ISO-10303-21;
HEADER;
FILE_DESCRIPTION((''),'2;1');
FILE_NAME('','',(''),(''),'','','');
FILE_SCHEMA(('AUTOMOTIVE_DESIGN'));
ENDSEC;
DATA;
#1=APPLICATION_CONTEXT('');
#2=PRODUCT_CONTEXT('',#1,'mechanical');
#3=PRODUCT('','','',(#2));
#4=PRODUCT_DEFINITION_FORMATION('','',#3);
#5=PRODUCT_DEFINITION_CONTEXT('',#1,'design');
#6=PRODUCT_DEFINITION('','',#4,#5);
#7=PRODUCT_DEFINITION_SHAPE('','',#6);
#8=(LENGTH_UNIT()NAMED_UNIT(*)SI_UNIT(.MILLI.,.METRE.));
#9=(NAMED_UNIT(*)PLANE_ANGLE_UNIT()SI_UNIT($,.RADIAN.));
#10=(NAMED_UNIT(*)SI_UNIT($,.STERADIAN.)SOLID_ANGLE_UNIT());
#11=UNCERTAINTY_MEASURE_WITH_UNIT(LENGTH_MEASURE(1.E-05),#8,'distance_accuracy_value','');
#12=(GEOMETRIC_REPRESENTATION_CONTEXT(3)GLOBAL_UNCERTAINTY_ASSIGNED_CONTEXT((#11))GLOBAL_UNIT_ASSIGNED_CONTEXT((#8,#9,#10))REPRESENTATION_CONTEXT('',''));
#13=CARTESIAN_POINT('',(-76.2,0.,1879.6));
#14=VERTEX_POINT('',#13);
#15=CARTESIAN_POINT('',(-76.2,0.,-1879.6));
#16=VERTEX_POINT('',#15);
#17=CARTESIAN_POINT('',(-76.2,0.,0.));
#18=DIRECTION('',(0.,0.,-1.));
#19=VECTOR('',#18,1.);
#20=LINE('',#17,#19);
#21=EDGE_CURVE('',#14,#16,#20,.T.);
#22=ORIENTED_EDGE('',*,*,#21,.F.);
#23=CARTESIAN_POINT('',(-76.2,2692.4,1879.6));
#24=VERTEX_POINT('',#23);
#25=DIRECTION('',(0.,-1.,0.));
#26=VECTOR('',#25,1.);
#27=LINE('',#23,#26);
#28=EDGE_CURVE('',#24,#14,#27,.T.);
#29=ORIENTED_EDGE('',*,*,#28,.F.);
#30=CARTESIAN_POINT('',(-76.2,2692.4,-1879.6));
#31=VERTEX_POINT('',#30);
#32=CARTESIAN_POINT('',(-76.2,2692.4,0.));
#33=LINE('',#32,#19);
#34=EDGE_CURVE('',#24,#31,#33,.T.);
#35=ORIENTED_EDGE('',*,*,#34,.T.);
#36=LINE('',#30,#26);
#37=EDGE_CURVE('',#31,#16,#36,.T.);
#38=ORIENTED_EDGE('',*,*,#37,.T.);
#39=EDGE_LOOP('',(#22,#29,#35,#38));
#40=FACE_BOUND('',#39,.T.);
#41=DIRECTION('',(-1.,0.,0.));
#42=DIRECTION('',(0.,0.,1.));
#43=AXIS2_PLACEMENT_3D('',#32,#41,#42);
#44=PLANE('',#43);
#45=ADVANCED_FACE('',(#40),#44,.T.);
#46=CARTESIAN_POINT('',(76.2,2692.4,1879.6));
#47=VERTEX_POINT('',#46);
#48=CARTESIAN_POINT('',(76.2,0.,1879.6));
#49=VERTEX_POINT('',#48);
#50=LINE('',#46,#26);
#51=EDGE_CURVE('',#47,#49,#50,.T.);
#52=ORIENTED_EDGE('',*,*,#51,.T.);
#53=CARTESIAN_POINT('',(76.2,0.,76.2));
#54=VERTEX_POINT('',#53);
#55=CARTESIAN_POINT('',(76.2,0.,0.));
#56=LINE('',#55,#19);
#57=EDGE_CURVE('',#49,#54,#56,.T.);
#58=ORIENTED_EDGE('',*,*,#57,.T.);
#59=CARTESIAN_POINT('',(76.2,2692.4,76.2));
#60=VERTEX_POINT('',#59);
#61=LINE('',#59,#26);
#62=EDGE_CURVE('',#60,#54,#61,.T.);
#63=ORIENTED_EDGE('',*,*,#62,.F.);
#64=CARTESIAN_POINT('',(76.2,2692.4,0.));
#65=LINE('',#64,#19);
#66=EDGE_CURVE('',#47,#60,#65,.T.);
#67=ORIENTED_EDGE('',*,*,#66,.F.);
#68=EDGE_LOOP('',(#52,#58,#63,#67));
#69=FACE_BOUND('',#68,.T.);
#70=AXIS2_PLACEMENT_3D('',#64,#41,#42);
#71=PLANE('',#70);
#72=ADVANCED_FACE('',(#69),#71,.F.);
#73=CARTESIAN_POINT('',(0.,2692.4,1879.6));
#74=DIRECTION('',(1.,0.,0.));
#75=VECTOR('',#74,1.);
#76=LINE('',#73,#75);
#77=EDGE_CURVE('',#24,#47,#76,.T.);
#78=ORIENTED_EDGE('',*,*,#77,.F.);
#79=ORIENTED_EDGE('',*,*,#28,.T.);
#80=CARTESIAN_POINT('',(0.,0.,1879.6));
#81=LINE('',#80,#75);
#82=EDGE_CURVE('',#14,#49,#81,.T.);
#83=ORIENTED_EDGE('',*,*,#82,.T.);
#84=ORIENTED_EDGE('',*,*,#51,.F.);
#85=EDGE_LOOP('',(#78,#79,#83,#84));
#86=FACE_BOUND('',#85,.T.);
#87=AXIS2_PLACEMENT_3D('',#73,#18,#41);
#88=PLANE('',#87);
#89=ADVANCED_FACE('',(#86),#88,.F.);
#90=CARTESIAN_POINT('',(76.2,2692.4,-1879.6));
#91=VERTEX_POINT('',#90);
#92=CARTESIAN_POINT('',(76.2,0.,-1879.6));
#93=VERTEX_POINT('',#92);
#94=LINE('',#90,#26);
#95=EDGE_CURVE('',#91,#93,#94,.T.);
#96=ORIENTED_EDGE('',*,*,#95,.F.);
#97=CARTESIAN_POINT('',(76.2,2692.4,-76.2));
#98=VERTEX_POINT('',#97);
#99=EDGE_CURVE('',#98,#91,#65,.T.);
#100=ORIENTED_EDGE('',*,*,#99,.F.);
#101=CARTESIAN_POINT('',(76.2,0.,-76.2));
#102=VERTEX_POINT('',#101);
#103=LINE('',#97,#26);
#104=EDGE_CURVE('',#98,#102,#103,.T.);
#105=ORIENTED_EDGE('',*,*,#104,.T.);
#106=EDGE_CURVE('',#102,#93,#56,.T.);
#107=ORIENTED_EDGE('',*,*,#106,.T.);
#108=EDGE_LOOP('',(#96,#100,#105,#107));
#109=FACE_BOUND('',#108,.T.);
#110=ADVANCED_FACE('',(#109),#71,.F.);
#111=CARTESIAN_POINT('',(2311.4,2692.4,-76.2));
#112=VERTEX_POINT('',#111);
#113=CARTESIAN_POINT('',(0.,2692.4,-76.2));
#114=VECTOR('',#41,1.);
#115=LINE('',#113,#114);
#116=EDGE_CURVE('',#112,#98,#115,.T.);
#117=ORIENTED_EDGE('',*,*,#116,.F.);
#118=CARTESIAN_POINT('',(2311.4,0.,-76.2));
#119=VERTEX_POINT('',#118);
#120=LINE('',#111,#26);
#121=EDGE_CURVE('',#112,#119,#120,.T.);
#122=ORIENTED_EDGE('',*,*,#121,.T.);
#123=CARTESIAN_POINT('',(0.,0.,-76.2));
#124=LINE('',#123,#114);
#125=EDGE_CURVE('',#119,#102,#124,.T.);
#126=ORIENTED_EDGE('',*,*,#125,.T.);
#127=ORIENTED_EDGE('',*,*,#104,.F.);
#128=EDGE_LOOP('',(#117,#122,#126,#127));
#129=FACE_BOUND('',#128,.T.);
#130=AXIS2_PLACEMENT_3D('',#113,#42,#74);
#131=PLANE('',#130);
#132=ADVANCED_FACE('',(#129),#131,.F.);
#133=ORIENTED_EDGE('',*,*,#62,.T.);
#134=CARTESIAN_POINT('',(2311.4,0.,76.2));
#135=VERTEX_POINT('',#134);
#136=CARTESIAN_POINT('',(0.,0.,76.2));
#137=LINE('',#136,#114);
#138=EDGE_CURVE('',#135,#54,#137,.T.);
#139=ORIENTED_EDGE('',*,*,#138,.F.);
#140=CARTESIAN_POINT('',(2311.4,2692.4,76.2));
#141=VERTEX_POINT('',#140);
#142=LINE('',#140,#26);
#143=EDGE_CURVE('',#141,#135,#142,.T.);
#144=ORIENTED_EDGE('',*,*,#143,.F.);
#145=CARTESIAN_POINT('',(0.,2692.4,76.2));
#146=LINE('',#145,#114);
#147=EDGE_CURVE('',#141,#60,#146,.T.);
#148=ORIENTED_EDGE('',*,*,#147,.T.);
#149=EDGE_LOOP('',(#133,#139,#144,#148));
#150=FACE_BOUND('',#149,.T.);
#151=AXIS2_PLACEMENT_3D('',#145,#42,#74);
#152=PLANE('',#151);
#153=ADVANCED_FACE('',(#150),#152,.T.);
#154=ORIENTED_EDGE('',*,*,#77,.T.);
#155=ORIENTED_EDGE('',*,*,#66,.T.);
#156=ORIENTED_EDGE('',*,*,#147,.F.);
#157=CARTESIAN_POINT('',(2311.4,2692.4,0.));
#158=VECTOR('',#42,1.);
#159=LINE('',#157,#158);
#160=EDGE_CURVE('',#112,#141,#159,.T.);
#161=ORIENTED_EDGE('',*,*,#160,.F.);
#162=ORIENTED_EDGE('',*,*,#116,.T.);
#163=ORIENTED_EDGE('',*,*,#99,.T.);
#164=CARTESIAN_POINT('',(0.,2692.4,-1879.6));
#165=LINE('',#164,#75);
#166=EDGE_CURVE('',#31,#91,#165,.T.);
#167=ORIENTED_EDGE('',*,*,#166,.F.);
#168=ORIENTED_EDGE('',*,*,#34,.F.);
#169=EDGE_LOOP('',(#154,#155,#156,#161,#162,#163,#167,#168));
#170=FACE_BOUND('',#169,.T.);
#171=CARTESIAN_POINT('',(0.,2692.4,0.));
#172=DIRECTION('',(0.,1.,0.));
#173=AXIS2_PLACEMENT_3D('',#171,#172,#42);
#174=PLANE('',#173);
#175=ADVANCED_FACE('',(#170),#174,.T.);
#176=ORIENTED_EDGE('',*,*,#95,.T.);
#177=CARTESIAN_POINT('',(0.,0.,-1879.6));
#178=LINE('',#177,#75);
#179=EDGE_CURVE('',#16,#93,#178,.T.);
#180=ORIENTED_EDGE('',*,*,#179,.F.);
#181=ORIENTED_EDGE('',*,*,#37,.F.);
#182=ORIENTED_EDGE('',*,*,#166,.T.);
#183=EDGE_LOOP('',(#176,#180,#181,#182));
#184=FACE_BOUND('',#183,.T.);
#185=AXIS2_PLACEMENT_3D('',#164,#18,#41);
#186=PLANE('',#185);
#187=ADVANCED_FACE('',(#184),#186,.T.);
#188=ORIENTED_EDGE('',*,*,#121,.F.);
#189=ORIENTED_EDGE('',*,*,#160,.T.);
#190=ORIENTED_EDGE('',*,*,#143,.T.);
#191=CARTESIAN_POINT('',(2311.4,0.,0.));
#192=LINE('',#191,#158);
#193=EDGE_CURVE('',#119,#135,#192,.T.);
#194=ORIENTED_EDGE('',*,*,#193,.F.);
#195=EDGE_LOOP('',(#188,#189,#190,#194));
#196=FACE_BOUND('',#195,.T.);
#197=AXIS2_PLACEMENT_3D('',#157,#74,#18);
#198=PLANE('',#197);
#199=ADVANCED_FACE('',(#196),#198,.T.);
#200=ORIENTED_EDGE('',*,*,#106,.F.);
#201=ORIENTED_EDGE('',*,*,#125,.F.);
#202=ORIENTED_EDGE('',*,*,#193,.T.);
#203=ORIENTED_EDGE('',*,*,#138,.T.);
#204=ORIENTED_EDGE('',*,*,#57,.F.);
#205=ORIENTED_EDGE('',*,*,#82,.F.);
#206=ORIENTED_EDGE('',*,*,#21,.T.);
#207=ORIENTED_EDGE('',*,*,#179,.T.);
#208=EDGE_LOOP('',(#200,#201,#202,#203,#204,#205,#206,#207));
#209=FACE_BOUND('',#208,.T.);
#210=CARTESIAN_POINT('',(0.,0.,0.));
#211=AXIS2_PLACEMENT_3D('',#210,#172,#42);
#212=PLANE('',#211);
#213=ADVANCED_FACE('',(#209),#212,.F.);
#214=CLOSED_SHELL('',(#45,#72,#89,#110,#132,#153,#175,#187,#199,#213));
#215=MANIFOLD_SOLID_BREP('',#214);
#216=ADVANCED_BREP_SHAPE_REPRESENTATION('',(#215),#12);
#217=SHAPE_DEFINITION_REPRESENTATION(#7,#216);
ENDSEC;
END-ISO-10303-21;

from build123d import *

# Parameters (mm, degrees)
SKETCH1_W           = 152.4
SKETCH1_H           = 3759.2
SKETCH1_W_2         = 2235.2
SKETCH1_H_2         = 152.4
BOSS_EXTRUDE1_DEPTH = 2692.4


with BuildPart() as part:
    # Sketch1 → Boss-Extrude1 (new body)
    with BuildSketch(Plane(origin=(0, 0, 0), x_dir=(1, 0, 0), z_dir=(0, 1, 0))):
        Rectangle(SKETCH1_W, SKETCH1_H)
        with Locations((1193.8, 0)):
            Rectangle(SKETCH1_W_2, SKETCH1_H_2)
    extrude(amount=BOSS_EXTRUDE1_DEPTH)


solid = part.part
